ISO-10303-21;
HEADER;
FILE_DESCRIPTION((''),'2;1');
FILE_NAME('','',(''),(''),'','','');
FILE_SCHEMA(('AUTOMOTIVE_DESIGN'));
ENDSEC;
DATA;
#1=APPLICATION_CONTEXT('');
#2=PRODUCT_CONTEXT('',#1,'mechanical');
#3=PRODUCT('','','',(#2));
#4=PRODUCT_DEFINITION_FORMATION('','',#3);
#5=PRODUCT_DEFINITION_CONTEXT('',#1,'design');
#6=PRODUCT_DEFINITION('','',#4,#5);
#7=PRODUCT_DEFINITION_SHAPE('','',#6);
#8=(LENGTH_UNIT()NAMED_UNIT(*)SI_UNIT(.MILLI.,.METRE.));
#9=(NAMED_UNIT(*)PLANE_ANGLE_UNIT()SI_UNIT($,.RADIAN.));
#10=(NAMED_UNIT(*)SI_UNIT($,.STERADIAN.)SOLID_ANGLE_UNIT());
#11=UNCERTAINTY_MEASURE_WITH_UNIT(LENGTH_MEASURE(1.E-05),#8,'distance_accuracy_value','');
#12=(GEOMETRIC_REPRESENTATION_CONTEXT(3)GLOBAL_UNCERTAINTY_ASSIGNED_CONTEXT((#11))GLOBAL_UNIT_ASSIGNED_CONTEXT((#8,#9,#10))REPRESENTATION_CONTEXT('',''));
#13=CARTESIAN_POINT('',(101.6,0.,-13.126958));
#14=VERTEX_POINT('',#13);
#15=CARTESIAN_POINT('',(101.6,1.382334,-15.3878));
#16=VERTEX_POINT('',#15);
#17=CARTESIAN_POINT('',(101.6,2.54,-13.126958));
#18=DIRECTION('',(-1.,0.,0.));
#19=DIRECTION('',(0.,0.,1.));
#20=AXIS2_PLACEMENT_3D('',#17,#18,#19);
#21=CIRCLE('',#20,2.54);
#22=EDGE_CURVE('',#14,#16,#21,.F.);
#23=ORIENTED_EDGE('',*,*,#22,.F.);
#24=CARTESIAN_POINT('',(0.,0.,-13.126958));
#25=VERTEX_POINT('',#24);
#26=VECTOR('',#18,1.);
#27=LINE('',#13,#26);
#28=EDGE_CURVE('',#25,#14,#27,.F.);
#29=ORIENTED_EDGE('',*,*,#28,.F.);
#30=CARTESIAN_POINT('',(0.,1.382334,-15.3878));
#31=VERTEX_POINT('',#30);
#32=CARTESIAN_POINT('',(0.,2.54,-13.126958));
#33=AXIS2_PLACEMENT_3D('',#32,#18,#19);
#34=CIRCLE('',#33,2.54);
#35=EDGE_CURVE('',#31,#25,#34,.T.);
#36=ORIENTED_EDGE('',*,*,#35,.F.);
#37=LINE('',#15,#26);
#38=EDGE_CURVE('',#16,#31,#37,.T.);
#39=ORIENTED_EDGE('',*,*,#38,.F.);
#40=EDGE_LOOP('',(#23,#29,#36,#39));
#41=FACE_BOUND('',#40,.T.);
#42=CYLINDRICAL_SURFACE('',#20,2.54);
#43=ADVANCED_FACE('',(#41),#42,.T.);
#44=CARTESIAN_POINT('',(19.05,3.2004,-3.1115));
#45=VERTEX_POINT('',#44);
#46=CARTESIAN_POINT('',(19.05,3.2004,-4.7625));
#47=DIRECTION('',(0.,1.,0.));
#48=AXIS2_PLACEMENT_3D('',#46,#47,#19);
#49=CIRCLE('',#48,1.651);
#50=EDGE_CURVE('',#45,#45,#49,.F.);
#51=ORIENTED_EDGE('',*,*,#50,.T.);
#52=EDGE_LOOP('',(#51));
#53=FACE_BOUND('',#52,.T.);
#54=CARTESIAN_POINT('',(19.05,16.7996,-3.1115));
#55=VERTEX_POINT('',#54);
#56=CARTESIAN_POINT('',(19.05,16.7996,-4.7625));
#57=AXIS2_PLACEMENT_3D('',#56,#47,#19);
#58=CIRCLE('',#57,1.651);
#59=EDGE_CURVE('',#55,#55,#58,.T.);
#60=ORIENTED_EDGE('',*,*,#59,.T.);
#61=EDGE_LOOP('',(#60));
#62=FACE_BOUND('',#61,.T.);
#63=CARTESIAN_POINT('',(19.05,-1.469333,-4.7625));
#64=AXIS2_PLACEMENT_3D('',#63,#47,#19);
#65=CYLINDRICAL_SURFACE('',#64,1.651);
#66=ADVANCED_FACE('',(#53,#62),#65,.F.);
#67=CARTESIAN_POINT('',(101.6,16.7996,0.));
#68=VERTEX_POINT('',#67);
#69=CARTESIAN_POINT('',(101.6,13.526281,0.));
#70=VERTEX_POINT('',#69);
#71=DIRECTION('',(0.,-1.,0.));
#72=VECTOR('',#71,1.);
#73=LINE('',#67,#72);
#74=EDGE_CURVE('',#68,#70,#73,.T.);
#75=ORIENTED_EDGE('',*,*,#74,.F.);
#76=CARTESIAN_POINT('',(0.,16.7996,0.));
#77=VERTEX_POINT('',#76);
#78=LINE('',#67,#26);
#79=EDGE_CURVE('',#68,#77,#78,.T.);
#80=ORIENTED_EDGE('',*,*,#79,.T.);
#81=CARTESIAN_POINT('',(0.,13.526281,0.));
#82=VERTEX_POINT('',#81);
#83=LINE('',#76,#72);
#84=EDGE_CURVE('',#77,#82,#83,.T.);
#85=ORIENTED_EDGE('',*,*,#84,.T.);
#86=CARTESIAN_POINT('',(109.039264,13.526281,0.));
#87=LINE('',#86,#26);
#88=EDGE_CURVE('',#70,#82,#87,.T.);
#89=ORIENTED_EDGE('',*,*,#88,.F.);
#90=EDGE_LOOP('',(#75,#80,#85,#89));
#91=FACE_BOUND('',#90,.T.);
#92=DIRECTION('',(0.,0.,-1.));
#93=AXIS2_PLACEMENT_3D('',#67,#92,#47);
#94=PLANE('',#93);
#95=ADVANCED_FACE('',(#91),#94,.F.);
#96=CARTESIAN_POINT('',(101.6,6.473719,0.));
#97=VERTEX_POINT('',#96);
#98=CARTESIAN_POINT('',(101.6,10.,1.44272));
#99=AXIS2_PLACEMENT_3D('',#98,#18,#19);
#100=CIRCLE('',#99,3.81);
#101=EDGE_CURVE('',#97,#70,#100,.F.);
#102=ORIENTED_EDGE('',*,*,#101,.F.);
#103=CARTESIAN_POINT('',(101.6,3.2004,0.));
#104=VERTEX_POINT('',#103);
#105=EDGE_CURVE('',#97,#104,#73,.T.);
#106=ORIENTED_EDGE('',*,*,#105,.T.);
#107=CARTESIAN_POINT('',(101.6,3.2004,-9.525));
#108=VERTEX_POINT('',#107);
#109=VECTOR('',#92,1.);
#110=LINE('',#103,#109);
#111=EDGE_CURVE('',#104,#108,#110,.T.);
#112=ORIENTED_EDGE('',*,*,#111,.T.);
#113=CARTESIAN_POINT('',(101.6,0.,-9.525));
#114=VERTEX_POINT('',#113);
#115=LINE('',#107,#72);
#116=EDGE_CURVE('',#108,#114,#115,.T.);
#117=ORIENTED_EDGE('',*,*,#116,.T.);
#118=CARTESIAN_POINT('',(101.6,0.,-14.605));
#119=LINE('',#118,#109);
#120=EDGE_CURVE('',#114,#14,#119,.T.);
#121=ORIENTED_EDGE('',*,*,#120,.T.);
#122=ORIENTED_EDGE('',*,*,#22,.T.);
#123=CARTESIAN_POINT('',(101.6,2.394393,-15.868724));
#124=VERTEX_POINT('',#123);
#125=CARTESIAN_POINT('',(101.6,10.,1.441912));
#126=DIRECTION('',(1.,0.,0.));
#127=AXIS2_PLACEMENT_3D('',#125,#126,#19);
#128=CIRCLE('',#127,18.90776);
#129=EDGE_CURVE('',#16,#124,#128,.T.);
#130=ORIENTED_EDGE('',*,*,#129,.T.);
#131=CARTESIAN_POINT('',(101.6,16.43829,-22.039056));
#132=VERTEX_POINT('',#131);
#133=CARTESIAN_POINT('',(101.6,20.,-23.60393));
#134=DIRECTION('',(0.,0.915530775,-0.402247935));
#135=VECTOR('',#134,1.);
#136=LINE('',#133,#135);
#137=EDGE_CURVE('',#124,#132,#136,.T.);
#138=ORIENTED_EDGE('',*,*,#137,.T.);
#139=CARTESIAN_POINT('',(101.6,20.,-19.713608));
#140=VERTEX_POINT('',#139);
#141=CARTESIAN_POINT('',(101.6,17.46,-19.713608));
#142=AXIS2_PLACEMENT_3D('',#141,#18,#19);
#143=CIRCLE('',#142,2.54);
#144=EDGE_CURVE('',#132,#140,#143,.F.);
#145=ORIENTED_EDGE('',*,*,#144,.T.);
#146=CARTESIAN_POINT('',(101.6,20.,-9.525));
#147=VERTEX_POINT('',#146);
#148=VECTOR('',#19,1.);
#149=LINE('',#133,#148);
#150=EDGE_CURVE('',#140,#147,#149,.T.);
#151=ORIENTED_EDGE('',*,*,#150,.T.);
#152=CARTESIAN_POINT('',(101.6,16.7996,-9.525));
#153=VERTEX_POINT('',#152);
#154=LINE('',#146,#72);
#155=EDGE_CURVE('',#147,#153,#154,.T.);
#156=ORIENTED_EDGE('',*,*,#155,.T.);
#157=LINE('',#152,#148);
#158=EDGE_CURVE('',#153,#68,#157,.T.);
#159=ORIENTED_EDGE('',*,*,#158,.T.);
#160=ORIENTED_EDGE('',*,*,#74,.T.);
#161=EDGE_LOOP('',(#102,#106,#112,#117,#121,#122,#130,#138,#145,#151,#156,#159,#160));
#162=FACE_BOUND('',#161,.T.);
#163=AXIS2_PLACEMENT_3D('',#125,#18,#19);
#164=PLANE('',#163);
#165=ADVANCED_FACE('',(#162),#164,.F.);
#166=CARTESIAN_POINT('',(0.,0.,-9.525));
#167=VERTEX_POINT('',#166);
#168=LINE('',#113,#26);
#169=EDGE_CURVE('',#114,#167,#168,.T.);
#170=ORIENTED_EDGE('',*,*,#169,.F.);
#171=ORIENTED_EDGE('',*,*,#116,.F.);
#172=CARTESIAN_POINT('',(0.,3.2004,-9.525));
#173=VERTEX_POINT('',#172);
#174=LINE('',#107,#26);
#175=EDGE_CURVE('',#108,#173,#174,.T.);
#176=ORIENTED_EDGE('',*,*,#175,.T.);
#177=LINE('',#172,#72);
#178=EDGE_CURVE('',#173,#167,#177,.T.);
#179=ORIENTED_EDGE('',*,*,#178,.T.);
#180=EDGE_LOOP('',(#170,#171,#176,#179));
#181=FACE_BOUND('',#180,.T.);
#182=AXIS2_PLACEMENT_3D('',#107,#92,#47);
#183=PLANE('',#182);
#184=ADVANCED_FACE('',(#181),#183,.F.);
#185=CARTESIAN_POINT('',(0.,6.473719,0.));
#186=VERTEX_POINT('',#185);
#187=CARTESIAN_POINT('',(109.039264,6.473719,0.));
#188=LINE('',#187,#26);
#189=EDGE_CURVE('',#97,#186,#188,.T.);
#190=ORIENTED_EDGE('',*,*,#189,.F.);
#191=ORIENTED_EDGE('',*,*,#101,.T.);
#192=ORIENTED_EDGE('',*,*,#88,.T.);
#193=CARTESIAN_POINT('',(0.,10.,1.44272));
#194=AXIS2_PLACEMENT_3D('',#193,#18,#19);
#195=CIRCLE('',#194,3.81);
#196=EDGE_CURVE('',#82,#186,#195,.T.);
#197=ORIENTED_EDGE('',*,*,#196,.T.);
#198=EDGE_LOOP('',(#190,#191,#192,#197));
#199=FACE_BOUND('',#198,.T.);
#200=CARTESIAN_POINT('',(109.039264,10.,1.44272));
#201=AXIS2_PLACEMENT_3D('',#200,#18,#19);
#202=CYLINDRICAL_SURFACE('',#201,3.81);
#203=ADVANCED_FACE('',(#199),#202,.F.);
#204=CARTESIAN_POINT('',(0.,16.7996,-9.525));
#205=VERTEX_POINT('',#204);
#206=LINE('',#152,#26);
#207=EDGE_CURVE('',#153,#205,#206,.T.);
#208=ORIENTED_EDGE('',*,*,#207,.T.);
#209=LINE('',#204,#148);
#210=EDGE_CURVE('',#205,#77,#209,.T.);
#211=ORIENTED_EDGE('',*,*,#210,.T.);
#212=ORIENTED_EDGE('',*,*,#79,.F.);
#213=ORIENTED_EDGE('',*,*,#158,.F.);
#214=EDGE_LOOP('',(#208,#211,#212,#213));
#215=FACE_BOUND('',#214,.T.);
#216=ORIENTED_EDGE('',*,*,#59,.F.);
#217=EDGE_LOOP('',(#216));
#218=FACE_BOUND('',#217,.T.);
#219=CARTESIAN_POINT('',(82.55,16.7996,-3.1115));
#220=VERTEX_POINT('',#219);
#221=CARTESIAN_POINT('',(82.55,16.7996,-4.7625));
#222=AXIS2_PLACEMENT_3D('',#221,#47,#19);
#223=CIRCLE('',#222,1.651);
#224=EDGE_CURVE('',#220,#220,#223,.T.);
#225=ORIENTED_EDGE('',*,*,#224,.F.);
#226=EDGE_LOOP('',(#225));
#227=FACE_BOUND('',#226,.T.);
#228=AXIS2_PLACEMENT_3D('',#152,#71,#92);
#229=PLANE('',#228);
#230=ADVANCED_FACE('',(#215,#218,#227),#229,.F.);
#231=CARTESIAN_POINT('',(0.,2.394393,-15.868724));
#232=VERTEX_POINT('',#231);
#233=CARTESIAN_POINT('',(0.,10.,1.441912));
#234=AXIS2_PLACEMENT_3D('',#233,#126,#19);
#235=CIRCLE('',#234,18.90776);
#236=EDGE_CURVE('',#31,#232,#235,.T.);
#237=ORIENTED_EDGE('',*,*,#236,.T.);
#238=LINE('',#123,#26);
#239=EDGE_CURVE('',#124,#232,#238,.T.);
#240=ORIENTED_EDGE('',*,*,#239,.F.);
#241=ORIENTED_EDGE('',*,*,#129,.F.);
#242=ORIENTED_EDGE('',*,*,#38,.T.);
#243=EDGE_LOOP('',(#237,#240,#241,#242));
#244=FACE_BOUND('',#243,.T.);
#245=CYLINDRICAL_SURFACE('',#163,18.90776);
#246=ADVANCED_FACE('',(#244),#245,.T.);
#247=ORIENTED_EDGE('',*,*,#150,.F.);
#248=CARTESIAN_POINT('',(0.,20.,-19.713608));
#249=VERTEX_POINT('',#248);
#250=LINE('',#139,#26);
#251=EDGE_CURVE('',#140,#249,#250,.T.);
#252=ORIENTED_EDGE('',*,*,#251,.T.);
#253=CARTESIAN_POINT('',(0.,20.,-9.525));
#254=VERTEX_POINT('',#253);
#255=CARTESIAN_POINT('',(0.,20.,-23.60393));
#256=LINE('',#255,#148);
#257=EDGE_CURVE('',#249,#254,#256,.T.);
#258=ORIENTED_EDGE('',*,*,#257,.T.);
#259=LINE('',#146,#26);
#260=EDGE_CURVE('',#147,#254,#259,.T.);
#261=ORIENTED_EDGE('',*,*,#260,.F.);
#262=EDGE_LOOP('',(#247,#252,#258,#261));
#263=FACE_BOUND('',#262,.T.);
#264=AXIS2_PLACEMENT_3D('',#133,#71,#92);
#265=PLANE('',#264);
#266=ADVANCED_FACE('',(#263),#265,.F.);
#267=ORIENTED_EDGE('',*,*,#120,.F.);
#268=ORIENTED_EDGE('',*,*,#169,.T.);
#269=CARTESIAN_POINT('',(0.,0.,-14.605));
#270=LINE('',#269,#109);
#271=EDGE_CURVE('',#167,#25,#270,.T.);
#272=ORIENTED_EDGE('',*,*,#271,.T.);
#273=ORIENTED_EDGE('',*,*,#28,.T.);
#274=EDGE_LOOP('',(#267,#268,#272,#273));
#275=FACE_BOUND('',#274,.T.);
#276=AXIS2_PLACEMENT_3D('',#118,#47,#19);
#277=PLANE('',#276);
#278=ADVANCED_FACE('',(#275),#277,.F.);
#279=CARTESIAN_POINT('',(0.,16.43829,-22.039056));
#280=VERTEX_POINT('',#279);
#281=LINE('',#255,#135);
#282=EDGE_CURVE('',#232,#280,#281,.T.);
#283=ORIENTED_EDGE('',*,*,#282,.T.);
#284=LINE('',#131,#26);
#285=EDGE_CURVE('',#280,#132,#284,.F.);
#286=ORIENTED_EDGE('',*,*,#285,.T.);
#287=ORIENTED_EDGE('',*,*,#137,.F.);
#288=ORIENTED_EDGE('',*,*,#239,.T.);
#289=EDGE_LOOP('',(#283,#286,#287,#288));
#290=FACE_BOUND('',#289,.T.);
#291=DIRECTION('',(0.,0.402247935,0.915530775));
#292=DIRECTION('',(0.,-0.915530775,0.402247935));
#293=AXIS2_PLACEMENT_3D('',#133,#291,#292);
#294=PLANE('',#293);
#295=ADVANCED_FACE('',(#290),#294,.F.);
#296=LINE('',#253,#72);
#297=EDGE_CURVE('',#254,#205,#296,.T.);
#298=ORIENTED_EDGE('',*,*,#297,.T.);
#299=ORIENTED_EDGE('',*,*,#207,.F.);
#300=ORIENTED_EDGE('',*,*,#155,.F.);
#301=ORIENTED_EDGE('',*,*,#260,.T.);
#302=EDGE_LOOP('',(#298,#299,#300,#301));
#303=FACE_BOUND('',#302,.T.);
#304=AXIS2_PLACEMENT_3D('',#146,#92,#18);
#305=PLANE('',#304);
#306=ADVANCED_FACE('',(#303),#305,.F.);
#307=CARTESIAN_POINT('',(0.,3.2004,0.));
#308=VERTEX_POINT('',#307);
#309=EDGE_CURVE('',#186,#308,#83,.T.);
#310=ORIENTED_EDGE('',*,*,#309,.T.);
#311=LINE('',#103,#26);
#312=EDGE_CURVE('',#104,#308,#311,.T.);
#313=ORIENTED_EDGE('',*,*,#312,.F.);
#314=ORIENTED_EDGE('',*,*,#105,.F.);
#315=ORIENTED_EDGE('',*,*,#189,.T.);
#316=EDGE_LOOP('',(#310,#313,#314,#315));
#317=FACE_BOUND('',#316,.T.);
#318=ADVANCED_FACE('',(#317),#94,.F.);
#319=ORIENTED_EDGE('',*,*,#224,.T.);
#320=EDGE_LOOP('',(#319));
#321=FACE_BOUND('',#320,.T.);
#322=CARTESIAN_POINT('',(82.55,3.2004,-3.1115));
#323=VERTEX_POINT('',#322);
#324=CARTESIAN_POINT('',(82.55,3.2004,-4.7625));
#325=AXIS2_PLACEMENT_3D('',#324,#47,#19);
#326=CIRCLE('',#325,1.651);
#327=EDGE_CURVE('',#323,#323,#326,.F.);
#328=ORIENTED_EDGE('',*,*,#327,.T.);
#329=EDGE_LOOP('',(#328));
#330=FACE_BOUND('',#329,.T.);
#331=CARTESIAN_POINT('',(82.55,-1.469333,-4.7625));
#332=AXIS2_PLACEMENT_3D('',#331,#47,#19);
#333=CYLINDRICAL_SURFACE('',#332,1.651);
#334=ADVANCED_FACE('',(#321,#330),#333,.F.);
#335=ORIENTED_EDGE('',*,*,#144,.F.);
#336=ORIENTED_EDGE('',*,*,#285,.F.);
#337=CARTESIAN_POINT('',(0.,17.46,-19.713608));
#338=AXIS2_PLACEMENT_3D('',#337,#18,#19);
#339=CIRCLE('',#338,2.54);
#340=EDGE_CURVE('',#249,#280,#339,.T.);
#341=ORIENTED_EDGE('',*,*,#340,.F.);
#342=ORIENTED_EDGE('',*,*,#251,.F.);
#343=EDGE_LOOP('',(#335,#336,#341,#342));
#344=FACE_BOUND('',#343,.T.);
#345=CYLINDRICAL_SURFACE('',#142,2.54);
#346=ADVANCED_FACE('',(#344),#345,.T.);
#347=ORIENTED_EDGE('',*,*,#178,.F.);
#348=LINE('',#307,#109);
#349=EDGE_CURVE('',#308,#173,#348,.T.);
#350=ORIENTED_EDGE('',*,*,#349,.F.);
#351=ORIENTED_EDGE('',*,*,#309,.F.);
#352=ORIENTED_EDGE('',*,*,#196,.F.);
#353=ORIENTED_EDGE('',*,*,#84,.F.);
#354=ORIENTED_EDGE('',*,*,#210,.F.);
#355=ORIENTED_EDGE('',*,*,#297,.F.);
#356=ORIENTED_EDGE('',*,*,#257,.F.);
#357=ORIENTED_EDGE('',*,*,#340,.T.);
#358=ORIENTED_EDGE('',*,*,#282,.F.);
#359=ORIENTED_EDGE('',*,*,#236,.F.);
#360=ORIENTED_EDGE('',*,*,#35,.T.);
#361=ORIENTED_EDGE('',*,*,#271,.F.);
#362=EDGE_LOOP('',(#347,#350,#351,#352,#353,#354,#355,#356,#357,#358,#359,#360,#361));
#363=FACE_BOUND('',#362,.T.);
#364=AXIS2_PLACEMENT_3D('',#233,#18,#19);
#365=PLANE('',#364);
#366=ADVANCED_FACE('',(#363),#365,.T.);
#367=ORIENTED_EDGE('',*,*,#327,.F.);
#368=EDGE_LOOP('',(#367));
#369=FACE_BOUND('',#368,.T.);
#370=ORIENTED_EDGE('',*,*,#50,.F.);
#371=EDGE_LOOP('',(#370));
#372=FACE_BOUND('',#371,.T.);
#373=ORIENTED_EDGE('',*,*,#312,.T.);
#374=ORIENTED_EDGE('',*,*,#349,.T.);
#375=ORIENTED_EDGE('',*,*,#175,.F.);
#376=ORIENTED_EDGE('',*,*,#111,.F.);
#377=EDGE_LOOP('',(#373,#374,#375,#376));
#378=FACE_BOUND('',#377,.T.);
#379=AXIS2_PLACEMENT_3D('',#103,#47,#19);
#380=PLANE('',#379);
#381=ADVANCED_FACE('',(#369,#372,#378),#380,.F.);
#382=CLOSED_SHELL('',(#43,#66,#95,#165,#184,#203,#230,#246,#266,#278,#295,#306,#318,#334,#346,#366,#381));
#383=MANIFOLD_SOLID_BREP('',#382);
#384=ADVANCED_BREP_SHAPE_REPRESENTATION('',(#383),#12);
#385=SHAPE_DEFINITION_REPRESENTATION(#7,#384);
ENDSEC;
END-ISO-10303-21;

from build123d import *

# Parameters (mm, degrees)
BOSS_EXTRUDE1_DEPTH = 101.6
CUT_EXTRUDE2_DEPTH  = 101.6
SKETCH5_R           = 1.651
CUT_EXTRUDE3_DEPTH  = 13.5992
FILLET1_R           = 2.54


with BuildPart() as part:
    # Sketch1 → Boss-Extrude1 (new body)
    with BuildSketch(Plane(origin=(0, 0, 0), x_dir=(0, 0, -1), z_dir=(1, 0, 0))):
        with BuildLine():
            Line((0, 16.7996), (0, 3.2004))
            Line((0, 3.2004), (9.525, 3.2004))
            Line((9.525, 3.2004), (9.525, 0))
            Line((9.525, 0), (14.605, 0))
            ThreePointArc((14.605, 0), (15.279774052, 1.174548121), (15.868724182, 2.394392806))
            Line((15.868724182, 2.394392806), (23.603930172, 20))
            Line((23.603930172, 20), (9.525, 20))
            Line((9.525, 20), (9.525, 16.7996))
            Line((9.525, 16.7996), (0, 16.7996))
        make_face()
    extrude(amount=BOSS_EXTRUDE1_DEPTH)

    # Sketch4 → Cut-Extrude2 (cut)
    with BuildSketch(Plane.ZY):
        with BuildLine():
            Line((0, 13.526281186), (0, 6.473718814))
            ThreePointArc((0, 6.473718814), (-2.36728, 10), (0, 13.526281186))
        make_face()
    extrude(amount=-CUT_EXTRUDE2_DEPTH, mode=Mode.SUBTRACT)

    # Sketch5 → Cut-Extrude3 (cut)
    with BuildSketch(Plane(origin=(0, 16.7996, 0), x_dir=(1, 0, 0), z_dir=(0, 1, 0))):
        with Locations((19.05, 4.7625)):
            Circle(SKETCH5_R)
        with Locations((82.55, 4.7625)):
            Circle(SKETCH5_R)
    extrude(amount=-CUT_EXTRUDE3_DEPTH, mode=Mode.SUBTRACT)

    # Fillet1
    fillet1_edges = [part.edges().sort_by_distance(p)[0] for p in [
        (50.8, 20, -23.603930172),
        (50.8, 0, -14.605),
    ]]
    fillet(fillet1_edges, radius=FILLET1_R)


solid = part.part
